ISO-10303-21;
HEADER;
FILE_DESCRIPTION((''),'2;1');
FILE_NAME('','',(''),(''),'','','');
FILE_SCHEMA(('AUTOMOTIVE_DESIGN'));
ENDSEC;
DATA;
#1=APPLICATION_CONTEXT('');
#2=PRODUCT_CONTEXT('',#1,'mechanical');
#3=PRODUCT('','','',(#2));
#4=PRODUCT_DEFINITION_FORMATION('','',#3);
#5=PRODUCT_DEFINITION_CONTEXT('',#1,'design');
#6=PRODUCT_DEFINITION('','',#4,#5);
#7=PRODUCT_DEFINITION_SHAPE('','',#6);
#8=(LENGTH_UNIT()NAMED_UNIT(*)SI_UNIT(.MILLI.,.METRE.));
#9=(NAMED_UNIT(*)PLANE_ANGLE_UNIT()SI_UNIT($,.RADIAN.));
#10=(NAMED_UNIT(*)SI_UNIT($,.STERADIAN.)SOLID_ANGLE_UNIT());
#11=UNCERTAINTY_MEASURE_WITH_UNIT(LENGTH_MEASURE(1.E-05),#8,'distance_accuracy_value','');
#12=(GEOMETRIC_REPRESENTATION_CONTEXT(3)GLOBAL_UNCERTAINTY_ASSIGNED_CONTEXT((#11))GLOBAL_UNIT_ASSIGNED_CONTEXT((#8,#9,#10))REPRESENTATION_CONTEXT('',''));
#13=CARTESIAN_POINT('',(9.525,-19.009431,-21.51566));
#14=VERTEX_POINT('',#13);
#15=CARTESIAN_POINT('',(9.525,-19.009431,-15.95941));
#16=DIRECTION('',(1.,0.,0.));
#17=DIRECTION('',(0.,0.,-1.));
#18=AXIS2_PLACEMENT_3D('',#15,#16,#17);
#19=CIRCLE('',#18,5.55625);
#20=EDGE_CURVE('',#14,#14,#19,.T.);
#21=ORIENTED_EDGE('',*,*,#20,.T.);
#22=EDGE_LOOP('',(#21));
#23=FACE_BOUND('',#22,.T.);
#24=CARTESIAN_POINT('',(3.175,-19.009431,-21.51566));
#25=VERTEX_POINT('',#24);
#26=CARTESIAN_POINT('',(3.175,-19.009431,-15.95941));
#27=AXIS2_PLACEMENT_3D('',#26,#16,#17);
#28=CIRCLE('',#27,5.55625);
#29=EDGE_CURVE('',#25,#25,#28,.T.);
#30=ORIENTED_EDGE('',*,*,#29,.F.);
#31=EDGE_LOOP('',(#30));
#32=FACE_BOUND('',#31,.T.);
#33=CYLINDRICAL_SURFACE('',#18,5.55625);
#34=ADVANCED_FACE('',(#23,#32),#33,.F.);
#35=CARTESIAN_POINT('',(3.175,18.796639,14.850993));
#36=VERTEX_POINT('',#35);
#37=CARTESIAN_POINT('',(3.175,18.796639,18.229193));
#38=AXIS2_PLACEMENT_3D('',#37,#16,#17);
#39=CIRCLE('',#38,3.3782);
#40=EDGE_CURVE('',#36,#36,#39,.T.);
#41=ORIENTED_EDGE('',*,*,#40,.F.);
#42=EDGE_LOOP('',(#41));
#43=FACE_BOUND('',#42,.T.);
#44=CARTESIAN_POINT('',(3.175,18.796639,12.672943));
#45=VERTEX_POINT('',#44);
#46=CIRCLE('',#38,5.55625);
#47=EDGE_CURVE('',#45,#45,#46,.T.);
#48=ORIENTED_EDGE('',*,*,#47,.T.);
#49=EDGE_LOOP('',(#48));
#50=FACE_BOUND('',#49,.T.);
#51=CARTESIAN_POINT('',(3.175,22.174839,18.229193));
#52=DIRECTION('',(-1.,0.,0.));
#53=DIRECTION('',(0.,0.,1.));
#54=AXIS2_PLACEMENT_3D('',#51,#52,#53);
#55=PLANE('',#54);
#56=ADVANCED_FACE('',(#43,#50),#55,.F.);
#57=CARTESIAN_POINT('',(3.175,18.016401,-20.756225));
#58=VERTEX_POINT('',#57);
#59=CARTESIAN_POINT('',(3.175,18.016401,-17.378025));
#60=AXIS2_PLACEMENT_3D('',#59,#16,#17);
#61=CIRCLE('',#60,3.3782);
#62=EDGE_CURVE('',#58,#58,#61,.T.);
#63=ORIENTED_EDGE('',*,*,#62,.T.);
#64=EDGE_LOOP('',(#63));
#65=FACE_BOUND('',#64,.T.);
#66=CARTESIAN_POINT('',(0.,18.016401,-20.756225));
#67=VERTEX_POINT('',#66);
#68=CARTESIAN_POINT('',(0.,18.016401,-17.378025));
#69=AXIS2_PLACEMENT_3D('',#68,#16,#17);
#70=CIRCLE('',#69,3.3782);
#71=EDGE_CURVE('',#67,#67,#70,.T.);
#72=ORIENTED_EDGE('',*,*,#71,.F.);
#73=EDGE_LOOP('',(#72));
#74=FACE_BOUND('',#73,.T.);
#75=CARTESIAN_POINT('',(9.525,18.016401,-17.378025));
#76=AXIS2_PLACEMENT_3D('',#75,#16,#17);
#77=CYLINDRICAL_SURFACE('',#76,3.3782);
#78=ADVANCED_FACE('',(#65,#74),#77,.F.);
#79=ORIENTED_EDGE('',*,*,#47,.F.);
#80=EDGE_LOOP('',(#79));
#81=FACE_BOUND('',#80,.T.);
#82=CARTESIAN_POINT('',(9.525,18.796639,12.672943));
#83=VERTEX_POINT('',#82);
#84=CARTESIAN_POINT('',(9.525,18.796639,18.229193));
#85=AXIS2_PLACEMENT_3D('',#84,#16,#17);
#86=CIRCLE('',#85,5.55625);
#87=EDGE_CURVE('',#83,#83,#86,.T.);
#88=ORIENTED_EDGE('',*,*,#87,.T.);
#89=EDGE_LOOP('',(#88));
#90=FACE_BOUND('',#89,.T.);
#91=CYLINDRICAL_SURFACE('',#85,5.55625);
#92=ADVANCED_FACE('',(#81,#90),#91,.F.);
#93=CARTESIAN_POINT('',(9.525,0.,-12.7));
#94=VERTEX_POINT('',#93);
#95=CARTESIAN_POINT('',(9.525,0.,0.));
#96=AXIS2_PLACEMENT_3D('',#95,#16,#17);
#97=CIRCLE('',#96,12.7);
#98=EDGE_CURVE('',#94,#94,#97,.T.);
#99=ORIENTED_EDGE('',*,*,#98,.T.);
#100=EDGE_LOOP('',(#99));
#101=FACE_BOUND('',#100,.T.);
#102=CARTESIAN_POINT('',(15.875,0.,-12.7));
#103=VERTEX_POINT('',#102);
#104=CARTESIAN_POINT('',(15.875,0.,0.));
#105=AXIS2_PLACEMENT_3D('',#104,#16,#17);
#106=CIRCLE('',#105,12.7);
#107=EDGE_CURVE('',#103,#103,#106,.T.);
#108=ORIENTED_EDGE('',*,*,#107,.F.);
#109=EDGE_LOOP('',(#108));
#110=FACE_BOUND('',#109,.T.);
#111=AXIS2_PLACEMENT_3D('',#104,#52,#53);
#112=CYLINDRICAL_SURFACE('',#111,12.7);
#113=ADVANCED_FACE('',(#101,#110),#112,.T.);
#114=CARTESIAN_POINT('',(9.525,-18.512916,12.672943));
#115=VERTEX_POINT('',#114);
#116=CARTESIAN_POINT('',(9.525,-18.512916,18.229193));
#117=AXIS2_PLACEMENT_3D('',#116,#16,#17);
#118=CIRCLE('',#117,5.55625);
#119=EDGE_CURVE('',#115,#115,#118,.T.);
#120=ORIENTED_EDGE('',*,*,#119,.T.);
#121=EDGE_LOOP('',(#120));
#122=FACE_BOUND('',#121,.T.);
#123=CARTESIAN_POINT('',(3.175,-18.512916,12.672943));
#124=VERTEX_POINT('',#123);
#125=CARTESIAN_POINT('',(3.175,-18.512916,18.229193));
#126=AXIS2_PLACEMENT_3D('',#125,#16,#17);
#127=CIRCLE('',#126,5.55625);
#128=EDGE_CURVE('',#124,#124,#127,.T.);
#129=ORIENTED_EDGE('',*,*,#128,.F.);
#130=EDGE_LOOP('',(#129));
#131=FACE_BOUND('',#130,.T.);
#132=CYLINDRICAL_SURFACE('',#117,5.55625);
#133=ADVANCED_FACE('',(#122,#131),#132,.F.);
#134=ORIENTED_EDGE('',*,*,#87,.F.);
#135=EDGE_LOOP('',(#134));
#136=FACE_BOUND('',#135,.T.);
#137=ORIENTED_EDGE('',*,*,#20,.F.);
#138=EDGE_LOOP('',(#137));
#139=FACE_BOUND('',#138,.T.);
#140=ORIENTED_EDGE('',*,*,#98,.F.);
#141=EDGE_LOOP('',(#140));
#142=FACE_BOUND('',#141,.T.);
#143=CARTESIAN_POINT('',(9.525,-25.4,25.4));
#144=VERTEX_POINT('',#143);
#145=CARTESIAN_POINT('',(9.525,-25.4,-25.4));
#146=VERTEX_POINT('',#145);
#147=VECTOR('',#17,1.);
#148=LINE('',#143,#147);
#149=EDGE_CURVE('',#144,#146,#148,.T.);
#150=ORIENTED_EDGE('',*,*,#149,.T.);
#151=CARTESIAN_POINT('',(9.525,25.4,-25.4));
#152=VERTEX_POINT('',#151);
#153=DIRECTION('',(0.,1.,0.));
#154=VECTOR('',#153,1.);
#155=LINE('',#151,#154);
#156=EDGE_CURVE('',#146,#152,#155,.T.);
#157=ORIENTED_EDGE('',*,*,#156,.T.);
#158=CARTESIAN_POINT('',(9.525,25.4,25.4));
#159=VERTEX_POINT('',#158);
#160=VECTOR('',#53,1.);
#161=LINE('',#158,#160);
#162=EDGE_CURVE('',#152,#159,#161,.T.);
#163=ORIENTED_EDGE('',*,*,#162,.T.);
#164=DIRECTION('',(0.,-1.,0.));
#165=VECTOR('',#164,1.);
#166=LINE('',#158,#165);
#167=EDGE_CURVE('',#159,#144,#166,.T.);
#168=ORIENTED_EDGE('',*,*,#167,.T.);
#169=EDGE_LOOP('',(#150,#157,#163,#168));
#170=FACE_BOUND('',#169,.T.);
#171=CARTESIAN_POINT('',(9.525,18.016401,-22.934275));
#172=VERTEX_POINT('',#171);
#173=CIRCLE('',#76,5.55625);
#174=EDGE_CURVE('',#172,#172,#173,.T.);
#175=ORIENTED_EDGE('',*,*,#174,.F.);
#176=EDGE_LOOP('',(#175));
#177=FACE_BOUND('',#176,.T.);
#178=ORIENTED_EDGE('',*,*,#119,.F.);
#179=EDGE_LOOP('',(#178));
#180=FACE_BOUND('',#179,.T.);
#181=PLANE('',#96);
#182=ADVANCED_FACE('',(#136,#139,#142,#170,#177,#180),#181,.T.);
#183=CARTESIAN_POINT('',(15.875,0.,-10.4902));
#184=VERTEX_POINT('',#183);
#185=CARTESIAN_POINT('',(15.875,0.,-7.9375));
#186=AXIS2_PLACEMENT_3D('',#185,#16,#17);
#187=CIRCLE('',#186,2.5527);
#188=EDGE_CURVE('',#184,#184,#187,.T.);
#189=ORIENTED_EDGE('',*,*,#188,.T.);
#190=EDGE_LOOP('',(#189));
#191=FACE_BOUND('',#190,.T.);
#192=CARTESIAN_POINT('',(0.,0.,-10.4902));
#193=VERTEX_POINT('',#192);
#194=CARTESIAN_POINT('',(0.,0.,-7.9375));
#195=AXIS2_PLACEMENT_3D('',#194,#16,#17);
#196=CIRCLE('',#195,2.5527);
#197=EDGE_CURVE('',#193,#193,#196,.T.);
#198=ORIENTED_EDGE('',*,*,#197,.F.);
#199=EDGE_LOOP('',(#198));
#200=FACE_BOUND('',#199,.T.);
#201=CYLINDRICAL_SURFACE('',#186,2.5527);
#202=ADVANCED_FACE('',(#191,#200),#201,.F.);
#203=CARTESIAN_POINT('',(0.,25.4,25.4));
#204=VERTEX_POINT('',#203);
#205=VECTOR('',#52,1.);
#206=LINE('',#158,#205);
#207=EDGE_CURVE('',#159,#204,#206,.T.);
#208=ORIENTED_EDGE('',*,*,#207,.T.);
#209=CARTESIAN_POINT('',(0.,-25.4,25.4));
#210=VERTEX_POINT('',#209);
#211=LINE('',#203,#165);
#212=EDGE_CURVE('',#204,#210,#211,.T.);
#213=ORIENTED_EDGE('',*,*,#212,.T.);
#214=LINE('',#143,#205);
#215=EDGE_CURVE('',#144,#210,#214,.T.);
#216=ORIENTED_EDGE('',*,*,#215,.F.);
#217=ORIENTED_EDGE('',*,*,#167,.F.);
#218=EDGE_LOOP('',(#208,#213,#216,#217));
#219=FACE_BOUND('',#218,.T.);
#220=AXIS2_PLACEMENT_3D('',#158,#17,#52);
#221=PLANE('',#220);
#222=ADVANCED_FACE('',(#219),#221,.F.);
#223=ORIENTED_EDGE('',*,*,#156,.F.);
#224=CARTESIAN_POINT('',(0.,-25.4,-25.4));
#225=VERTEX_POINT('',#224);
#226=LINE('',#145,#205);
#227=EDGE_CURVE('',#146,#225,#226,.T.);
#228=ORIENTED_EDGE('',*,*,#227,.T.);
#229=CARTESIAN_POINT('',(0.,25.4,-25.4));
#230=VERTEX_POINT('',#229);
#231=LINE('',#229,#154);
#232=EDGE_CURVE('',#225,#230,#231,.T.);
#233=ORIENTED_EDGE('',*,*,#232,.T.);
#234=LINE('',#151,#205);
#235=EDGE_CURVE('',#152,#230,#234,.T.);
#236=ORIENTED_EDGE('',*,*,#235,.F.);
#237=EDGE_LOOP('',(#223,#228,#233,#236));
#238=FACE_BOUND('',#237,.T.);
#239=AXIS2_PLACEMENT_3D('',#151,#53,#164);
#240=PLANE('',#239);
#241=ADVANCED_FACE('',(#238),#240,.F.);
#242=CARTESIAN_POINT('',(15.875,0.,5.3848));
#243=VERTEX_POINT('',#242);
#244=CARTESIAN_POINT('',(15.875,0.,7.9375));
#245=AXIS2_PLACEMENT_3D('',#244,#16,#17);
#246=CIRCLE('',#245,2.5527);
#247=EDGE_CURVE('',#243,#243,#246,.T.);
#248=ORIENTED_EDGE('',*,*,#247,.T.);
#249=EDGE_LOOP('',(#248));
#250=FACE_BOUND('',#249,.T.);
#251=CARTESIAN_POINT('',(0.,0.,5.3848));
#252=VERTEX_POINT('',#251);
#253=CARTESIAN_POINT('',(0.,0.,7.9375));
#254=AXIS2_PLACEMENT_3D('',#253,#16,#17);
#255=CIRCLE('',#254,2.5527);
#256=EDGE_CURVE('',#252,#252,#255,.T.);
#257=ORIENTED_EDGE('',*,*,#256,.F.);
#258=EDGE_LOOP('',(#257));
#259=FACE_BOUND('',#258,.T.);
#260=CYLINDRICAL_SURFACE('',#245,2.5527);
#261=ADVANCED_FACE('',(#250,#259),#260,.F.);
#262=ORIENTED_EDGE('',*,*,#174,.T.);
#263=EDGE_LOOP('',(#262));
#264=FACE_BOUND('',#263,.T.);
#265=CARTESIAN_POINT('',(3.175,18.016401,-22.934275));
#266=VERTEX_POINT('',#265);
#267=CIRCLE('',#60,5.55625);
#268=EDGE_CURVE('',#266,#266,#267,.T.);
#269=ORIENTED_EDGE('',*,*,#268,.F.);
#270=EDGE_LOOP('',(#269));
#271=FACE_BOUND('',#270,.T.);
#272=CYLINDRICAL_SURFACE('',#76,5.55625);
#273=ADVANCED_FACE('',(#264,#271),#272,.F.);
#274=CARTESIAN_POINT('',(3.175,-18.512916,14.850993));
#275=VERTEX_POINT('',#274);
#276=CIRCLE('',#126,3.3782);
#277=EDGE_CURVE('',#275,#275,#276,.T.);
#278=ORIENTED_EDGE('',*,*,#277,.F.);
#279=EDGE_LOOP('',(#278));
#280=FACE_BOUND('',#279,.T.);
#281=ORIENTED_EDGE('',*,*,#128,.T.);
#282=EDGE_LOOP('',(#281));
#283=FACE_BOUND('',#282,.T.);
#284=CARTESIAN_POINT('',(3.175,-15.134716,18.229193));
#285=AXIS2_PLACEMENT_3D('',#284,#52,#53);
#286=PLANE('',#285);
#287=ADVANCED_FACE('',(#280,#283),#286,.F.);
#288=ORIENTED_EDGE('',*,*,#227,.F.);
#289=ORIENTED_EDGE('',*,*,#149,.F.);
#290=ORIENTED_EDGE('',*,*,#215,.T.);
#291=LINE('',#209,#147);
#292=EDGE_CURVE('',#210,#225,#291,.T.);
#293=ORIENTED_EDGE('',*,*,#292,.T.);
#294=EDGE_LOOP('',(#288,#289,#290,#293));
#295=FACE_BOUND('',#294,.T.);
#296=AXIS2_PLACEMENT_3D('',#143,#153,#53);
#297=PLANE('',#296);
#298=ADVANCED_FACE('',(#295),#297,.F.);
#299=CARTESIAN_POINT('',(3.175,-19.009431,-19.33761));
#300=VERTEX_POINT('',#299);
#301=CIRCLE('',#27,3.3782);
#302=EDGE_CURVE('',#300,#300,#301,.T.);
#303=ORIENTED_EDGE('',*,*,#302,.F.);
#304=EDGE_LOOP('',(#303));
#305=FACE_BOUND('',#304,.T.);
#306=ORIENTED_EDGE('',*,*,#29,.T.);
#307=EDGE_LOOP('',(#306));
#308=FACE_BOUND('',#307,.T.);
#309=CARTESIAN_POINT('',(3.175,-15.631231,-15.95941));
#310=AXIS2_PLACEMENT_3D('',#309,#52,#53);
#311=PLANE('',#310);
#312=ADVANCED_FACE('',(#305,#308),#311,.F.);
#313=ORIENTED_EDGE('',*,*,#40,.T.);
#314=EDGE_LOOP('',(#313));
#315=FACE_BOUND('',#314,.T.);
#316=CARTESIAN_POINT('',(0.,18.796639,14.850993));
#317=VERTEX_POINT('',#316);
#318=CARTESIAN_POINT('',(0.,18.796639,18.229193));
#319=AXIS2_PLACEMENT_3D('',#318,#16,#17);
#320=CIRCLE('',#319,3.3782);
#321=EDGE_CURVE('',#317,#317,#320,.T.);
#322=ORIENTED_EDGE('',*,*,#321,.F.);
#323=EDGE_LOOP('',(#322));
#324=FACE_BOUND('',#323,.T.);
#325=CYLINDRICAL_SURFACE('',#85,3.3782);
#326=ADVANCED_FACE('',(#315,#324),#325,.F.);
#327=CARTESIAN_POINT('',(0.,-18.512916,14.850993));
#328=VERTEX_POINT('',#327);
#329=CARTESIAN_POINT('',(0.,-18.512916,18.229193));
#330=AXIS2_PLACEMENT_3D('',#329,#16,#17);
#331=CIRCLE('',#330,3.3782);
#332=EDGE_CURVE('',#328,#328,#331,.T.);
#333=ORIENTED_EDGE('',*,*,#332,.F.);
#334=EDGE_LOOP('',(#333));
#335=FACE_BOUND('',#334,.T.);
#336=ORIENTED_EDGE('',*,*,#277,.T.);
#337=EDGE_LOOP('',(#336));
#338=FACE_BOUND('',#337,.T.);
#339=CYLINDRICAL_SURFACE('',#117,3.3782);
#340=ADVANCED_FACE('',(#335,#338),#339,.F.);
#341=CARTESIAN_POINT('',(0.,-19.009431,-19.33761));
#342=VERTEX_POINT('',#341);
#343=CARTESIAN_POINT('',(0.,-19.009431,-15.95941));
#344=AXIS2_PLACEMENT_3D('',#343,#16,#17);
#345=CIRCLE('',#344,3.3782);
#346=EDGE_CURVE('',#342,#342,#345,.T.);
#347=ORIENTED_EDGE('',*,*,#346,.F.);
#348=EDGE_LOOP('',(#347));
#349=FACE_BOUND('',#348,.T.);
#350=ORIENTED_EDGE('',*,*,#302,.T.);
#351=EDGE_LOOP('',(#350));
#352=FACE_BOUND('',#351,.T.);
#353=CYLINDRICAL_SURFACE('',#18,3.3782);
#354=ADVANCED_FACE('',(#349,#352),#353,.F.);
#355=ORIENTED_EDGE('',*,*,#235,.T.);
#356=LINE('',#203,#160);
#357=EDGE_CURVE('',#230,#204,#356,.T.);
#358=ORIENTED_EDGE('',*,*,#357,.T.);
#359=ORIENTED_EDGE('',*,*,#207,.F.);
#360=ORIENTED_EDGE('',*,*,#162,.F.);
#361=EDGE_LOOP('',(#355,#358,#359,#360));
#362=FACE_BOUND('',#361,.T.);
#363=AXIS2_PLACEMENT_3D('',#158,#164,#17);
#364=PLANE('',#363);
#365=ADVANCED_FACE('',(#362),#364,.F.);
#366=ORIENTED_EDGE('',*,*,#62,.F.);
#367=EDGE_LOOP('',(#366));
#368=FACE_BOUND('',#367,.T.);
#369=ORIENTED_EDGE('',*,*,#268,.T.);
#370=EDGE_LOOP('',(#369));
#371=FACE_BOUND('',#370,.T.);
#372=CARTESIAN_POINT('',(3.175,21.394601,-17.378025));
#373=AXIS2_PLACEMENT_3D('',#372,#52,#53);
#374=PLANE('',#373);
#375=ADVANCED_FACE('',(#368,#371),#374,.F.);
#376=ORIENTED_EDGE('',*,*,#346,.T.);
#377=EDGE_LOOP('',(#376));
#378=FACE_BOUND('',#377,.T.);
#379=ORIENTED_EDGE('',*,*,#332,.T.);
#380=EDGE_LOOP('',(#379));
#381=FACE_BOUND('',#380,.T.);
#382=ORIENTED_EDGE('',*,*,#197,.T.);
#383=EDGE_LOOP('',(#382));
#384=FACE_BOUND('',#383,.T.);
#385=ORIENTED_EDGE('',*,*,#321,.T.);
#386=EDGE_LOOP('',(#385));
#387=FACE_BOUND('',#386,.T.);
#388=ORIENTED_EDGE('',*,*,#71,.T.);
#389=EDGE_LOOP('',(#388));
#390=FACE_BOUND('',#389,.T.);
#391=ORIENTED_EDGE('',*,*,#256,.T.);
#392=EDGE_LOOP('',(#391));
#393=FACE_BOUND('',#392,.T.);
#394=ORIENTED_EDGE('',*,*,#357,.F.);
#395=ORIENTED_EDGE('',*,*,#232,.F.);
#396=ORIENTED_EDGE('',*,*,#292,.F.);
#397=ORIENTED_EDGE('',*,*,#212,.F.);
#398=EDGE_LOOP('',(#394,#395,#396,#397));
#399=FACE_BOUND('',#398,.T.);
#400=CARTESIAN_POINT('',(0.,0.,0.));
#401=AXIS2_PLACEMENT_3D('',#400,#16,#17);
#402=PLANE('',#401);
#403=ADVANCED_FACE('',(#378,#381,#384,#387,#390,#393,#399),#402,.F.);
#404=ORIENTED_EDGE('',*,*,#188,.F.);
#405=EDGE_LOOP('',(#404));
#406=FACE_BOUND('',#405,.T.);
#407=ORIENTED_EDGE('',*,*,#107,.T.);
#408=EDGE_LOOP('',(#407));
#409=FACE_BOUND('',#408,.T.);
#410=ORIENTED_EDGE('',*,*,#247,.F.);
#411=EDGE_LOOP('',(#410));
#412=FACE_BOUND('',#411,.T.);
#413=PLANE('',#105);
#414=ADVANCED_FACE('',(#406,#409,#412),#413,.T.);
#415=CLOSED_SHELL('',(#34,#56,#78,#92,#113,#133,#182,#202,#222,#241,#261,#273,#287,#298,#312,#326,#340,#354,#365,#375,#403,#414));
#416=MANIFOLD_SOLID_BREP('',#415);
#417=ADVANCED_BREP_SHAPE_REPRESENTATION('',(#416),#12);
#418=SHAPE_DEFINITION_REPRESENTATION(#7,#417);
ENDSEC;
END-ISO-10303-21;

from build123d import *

# Parameters (mm, degrees)
SKETCH1_W                                        = 50.8
SKETCH1_H                                        = 50.8
BOSS_EXTRUDE1_DEPTH                              = 9.525
SKETCH2_R                                        = 12.7
BOSS_EXTRUDE2_DEPTH                              = 6.35
F_1_4_20_TAPPED_HOLE1_D                          = 5.1054
CBORE_FOR_1_4_SOCKET_HEAD_CAP_SCREW1_D           = 6.7564
CBORE_FOR_1_4_SOCKET_HEAD_CAP_SCREW1_CBORE_D     = 11.1125
CBORE_FOR_1_4_SOCKET_HEAD_CAP_SCREW1_CBORE_DEPTH = 6.35


with BuildPart() as part:
    # Sketch1 → Boss-Extrude1 (new body)
    with BuildSketch(Plane(origin=(0, 0, 0), x_dir=(0, 0, -1), z_dir=(1, 0, 0))):
        Rectangle(SKETCH1_W, SKETCH1_H)
    extrude(amount=BOSS_EXTRUDE1_DEPTH)

    # Sketch2 → Boss-Extrude2 (add)
    with BuildSketch(Plane(origin=(9.525, 0, 0), x_dir=(0, 0, -1), z_dir=(1, 0, 0))):
        Circle(SKETCH2_R)
    extrude(amount=BOSS_EXTRUDE2_DEPTH)

    # 1/4-20 Tapped Hole1 (through all)
    with Locations(Plane(origin=(15.875, 0, 0), x_dir=(0, 0, -1), z_dir=(1, 0, 0))):
        with Locations((-7.9375, 0), (7.9375, 0)):
            Hole(F_1_4_20_TAPPED_HOLE1_D / 2)

    # CBORE for 1/4 Socket Head Cap Screw1 (through all)
    with Locations(Plane(origin=(9.525, 0, 0), x_dir=(0, 0, -1), z_dir=(1, 0, 0))):
        with Locations((-18.22919312, 18.79663882), (17.378024569, 18.016400982), (15.959410319, -19.009430957), (-18.22919312, -18.51291597)):
            CounterBoreHole(CBORE_FOR_1_4_SOCKET_HEAD_CAP_SCREW1_D / 2, CBORE_FOR_1_4_SOCKET_HEAD_CAP_SCREW1_CBORE_D / 2, CBORE_FOR_1_4_SOCKET_HEAD_CAP_SCREW1_CBORE_DEPTH)


solid = part.part
